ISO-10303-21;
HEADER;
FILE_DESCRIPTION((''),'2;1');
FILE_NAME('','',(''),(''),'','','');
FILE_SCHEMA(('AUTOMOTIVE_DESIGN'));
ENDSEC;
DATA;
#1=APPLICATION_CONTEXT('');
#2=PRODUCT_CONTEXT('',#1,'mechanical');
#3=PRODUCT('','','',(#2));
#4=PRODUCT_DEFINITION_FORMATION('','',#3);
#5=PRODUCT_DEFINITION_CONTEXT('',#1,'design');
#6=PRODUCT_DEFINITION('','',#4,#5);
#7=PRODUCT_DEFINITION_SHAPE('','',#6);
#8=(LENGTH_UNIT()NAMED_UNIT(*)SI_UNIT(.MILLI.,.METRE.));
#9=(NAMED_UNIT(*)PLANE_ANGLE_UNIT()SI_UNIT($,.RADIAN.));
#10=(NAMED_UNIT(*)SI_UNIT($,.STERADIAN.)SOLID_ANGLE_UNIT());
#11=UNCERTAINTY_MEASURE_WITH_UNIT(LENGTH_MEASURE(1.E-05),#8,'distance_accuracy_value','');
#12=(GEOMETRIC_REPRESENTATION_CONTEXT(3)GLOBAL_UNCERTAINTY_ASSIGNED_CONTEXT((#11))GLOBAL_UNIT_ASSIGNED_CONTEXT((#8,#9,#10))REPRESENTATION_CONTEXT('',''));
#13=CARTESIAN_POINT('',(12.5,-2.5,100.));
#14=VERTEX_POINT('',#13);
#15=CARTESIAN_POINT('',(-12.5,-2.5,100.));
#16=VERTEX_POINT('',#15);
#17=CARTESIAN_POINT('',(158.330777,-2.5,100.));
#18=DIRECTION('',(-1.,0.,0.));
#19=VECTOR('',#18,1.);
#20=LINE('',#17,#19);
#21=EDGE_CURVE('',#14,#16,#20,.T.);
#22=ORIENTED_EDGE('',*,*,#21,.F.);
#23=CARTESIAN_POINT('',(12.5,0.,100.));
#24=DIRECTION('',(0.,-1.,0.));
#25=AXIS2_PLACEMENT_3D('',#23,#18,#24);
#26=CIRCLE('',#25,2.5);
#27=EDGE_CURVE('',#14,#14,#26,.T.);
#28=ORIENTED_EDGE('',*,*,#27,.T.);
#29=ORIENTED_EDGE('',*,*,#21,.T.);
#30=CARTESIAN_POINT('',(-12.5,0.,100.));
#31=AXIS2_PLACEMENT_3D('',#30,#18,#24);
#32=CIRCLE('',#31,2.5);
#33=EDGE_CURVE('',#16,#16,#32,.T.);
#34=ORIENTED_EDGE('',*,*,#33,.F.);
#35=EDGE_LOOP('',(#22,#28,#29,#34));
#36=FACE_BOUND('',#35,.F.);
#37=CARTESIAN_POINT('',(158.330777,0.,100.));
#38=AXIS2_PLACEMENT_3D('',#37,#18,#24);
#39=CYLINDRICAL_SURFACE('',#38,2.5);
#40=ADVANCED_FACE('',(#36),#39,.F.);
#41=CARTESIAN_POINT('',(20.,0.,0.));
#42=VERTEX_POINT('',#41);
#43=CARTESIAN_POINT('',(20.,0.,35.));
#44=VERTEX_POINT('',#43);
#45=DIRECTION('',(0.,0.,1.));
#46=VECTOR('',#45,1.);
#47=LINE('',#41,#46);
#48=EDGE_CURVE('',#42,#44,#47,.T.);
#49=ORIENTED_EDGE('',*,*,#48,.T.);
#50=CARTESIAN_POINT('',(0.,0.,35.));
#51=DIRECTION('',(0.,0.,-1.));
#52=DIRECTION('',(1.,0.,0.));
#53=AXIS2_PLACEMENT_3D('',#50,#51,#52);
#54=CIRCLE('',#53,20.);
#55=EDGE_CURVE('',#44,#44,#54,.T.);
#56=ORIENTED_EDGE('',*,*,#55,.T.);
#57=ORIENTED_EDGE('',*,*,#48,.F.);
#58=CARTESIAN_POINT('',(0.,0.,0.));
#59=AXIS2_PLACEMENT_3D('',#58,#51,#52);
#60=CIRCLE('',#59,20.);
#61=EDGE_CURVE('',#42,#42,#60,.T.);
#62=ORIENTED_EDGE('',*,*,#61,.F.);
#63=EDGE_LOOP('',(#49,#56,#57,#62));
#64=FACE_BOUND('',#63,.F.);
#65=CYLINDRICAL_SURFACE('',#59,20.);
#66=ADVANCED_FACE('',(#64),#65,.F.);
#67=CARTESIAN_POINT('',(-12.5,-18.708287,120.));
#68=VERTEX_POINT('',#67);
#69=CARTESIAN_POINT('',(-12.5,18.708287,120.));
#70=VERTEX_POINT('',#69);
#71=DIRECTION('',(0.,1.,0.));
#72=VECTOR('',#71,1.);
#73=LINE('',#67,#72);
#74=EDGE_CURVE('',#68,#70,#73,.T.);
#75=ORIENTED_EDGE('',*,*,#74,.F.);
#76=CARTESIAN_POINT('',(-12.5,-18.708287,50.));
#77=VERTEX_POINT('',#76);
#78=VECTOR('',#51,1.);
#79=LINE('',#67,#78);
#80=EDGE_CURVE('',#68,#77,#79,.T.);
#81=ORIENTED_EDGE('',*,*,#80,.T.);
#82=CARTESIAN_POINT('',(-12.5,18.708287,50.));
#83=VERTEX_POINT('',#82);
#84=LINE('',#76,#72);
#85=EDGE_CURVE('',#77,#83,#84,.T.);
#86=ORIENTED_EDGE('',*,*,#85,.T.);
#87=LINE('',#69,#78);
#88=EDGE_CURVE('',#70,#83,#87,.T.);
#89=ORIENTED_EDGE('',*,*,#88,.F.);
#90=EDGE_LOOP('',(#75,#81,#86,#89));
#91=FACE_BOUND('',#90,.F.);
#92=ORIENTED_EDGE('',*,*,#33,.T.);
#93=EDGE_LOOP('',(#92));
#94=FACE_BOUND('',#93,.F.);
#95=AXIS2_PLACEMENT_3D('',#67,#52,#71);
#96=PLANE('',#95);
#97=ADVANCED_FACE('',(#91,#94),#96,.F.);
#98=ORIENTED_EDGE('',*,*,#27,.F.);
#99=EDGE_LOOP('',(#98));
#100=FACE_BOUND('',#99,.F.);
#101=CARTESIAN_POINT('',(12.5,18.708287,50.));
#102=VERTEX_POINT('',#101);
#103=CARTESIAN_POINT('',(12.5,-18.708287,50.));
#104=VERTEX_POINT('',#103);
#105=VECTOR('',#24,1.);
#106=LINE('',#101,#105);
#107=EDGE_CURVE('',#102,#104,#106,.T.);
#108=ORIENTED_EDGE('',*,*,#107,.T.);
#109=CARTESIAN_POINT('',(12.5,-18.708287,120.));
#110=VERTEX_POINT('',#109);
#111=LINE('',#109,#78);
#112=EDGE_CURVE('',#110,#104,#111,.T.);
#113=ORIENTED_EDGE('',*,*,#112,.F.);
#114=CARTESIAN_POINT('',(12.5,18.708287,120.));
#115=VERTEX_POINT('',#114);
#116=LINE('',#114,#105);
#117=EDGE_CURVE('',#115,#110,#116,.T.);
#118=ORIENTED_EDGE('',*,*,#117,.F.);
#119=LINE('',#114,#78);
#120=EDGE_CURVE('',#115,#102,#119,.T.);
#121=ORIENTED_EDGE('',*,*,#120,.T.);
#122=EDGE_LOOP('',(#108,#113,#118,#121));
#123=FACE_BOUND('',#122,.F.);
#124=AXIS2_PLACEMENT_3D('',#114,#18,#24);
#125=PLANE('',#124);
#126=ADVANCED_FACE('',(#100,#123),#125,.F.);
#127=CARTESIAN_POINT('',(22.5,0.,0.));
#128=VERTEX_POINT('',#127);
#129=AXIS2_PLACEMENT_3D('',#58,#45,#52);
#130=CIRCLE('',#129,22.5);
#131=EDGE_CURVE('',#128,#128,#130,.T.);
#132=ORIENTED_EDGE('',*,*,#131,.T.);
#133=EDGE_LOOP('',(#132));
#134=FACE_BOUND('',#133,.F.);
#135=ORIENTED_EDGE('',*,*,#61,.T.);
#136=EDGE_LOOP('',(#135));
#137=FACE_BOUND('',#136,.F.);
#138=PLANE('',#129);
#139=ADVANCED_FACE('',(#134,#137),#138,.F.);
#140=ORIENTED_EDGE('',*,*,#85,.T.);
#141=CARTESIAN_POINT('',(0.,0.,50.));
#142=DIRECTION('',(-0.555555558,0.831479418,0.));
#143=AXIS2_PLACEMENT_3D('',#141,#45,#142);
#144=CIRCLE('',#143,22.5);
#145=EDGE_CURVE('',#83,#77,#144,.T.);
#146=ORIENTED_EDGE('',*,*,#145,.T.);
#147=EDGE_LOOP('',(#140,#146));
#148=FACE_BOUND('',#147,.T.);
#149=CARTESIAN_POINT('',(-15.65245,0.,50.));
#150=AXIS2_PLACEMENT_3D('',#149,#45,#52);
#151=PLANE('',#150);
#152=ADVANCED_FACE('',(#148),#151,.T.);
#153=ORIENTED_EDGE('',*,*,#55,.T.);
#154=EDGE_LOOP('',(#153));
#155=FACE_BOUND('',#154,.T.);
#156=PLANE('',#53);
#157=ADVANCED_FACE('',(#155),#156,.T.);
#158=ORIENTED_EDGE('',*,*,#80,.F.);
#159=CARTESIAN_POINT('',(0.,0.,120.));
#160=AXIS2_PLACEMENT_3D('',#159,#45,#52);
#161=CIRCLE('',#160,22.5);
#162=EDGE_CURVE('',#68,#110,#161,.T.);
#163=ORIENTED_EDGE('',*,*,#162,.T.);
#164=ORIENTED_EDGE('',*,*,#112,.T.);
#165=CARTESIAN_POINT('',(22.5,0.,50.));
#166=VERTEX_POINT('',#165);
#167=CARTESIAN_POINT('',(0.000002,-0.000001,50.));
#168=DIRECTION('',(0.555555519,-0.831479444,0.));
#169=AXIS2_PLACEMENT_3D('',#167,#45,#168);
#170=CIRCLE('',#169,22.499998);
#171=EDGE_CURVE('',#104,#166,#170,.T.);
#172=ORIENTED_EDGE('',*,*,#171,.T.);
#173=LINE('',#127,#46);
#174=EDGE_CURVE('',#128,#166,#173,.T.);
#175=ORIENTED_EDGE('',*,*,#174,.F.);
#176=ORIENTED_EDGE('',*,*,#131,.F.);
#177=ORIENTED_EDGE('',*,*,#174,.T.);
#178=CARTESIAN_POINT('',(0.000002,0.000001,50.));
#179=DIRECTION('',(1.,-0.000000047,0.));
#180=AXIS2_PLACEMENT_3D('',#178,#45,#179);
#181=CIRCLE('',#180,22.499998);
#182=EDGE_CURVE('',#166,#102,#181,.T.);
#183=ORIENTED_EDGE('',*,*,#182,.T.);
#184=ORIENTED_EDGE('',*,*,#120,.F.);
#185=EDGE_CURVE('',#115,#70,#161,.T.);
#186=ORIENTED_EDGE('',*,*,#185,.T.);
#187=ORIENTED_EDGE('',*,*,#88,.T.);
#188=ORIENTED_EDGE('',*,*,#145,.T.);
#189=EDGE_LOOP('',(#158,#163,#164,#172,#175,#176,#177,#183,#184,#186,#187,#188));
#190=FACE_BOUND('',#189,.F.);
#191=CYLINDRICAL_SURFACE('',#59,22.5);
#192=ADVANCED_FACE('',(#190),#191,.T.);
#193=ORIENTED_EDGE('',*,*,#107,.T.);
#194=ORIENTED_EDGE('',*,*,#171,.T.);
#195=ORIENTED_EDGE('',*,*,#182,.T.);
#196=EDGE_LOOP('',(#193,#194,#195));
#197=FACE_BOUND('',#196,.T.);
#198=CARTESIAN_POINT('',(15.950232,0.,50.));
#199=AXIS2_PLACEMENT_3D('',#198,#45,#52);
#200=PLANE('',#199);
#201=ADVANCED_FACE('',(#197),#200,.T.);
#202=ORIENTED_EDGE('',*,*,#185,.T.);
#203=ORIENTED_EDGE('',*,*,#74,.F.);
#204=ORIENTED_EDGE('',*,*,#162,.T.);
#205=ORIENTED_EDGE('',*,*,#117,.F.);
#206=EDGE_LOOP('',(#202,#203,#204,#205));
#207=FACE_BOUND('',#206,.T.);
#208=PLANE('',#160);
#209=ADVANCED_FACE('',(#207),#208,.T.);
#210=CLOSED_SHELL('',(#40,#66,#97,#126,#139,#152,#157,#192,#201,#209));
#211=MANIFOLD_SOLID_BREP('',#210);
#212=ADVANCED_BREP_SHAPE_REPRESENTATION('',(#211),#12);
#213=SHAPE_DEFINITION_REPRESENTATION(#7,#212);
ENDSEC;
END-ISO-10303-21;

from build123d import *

# Parameters (mm, degrees)
F0_R     = 22.5
F1_DEPTH = 120
F4_DEPTH = 70
F5_R     = 20
F6_DEPTH = 35
F9_D     = 5


with BuildPart() as f1:
    # F0 (on Top) → F1 (new body)
    with BuildSketch(Plane.XY):
        Circle(F0_R)
    extrude(amount=F1_DEPTH)

    # F2 (on face) → F4 (cut)
    with BuildSketch(Plane.XY.offset(120)):
        with BuildLine():
            Line((-12.5, -18.708287), (-12.5, 18.708287))
            ThreePointArc((-12.5, 18.708287), (-22.5, 0), (-12.5, -18.708287))
        make_face()
        with BuildLine():
            ThreePointArc((22.5, 0), (19.843135, 10.606602), (12.5, 18.708287))
            Line((12.5, 18.708287), (12.5, -18.708287))
            ThreePointArc((12.5, -18.708287), (19.843135, -10.606602), (22.5, 0))
        make_face()
    extrude(amount=-F4_DEPTH, mode=Mode.SUBTRACT)

    # F5 (on face) → F6 (cut)
    with BuildSketch(Plane(origin=(0, 0, 0), x_dir=(1, 0, 0), z_dir=(0, 0, -1))):
        Circle(F5_R)
    extrude(amount=-F6_DEPTH, mode=Mode.SUBTRACT)

    # F9 (through all)
    with Locations(Plane.YZ.offset(22.5)):
        with Locations((0, 100)):
            Hole(F9_D / 2)


solid = f1.part
